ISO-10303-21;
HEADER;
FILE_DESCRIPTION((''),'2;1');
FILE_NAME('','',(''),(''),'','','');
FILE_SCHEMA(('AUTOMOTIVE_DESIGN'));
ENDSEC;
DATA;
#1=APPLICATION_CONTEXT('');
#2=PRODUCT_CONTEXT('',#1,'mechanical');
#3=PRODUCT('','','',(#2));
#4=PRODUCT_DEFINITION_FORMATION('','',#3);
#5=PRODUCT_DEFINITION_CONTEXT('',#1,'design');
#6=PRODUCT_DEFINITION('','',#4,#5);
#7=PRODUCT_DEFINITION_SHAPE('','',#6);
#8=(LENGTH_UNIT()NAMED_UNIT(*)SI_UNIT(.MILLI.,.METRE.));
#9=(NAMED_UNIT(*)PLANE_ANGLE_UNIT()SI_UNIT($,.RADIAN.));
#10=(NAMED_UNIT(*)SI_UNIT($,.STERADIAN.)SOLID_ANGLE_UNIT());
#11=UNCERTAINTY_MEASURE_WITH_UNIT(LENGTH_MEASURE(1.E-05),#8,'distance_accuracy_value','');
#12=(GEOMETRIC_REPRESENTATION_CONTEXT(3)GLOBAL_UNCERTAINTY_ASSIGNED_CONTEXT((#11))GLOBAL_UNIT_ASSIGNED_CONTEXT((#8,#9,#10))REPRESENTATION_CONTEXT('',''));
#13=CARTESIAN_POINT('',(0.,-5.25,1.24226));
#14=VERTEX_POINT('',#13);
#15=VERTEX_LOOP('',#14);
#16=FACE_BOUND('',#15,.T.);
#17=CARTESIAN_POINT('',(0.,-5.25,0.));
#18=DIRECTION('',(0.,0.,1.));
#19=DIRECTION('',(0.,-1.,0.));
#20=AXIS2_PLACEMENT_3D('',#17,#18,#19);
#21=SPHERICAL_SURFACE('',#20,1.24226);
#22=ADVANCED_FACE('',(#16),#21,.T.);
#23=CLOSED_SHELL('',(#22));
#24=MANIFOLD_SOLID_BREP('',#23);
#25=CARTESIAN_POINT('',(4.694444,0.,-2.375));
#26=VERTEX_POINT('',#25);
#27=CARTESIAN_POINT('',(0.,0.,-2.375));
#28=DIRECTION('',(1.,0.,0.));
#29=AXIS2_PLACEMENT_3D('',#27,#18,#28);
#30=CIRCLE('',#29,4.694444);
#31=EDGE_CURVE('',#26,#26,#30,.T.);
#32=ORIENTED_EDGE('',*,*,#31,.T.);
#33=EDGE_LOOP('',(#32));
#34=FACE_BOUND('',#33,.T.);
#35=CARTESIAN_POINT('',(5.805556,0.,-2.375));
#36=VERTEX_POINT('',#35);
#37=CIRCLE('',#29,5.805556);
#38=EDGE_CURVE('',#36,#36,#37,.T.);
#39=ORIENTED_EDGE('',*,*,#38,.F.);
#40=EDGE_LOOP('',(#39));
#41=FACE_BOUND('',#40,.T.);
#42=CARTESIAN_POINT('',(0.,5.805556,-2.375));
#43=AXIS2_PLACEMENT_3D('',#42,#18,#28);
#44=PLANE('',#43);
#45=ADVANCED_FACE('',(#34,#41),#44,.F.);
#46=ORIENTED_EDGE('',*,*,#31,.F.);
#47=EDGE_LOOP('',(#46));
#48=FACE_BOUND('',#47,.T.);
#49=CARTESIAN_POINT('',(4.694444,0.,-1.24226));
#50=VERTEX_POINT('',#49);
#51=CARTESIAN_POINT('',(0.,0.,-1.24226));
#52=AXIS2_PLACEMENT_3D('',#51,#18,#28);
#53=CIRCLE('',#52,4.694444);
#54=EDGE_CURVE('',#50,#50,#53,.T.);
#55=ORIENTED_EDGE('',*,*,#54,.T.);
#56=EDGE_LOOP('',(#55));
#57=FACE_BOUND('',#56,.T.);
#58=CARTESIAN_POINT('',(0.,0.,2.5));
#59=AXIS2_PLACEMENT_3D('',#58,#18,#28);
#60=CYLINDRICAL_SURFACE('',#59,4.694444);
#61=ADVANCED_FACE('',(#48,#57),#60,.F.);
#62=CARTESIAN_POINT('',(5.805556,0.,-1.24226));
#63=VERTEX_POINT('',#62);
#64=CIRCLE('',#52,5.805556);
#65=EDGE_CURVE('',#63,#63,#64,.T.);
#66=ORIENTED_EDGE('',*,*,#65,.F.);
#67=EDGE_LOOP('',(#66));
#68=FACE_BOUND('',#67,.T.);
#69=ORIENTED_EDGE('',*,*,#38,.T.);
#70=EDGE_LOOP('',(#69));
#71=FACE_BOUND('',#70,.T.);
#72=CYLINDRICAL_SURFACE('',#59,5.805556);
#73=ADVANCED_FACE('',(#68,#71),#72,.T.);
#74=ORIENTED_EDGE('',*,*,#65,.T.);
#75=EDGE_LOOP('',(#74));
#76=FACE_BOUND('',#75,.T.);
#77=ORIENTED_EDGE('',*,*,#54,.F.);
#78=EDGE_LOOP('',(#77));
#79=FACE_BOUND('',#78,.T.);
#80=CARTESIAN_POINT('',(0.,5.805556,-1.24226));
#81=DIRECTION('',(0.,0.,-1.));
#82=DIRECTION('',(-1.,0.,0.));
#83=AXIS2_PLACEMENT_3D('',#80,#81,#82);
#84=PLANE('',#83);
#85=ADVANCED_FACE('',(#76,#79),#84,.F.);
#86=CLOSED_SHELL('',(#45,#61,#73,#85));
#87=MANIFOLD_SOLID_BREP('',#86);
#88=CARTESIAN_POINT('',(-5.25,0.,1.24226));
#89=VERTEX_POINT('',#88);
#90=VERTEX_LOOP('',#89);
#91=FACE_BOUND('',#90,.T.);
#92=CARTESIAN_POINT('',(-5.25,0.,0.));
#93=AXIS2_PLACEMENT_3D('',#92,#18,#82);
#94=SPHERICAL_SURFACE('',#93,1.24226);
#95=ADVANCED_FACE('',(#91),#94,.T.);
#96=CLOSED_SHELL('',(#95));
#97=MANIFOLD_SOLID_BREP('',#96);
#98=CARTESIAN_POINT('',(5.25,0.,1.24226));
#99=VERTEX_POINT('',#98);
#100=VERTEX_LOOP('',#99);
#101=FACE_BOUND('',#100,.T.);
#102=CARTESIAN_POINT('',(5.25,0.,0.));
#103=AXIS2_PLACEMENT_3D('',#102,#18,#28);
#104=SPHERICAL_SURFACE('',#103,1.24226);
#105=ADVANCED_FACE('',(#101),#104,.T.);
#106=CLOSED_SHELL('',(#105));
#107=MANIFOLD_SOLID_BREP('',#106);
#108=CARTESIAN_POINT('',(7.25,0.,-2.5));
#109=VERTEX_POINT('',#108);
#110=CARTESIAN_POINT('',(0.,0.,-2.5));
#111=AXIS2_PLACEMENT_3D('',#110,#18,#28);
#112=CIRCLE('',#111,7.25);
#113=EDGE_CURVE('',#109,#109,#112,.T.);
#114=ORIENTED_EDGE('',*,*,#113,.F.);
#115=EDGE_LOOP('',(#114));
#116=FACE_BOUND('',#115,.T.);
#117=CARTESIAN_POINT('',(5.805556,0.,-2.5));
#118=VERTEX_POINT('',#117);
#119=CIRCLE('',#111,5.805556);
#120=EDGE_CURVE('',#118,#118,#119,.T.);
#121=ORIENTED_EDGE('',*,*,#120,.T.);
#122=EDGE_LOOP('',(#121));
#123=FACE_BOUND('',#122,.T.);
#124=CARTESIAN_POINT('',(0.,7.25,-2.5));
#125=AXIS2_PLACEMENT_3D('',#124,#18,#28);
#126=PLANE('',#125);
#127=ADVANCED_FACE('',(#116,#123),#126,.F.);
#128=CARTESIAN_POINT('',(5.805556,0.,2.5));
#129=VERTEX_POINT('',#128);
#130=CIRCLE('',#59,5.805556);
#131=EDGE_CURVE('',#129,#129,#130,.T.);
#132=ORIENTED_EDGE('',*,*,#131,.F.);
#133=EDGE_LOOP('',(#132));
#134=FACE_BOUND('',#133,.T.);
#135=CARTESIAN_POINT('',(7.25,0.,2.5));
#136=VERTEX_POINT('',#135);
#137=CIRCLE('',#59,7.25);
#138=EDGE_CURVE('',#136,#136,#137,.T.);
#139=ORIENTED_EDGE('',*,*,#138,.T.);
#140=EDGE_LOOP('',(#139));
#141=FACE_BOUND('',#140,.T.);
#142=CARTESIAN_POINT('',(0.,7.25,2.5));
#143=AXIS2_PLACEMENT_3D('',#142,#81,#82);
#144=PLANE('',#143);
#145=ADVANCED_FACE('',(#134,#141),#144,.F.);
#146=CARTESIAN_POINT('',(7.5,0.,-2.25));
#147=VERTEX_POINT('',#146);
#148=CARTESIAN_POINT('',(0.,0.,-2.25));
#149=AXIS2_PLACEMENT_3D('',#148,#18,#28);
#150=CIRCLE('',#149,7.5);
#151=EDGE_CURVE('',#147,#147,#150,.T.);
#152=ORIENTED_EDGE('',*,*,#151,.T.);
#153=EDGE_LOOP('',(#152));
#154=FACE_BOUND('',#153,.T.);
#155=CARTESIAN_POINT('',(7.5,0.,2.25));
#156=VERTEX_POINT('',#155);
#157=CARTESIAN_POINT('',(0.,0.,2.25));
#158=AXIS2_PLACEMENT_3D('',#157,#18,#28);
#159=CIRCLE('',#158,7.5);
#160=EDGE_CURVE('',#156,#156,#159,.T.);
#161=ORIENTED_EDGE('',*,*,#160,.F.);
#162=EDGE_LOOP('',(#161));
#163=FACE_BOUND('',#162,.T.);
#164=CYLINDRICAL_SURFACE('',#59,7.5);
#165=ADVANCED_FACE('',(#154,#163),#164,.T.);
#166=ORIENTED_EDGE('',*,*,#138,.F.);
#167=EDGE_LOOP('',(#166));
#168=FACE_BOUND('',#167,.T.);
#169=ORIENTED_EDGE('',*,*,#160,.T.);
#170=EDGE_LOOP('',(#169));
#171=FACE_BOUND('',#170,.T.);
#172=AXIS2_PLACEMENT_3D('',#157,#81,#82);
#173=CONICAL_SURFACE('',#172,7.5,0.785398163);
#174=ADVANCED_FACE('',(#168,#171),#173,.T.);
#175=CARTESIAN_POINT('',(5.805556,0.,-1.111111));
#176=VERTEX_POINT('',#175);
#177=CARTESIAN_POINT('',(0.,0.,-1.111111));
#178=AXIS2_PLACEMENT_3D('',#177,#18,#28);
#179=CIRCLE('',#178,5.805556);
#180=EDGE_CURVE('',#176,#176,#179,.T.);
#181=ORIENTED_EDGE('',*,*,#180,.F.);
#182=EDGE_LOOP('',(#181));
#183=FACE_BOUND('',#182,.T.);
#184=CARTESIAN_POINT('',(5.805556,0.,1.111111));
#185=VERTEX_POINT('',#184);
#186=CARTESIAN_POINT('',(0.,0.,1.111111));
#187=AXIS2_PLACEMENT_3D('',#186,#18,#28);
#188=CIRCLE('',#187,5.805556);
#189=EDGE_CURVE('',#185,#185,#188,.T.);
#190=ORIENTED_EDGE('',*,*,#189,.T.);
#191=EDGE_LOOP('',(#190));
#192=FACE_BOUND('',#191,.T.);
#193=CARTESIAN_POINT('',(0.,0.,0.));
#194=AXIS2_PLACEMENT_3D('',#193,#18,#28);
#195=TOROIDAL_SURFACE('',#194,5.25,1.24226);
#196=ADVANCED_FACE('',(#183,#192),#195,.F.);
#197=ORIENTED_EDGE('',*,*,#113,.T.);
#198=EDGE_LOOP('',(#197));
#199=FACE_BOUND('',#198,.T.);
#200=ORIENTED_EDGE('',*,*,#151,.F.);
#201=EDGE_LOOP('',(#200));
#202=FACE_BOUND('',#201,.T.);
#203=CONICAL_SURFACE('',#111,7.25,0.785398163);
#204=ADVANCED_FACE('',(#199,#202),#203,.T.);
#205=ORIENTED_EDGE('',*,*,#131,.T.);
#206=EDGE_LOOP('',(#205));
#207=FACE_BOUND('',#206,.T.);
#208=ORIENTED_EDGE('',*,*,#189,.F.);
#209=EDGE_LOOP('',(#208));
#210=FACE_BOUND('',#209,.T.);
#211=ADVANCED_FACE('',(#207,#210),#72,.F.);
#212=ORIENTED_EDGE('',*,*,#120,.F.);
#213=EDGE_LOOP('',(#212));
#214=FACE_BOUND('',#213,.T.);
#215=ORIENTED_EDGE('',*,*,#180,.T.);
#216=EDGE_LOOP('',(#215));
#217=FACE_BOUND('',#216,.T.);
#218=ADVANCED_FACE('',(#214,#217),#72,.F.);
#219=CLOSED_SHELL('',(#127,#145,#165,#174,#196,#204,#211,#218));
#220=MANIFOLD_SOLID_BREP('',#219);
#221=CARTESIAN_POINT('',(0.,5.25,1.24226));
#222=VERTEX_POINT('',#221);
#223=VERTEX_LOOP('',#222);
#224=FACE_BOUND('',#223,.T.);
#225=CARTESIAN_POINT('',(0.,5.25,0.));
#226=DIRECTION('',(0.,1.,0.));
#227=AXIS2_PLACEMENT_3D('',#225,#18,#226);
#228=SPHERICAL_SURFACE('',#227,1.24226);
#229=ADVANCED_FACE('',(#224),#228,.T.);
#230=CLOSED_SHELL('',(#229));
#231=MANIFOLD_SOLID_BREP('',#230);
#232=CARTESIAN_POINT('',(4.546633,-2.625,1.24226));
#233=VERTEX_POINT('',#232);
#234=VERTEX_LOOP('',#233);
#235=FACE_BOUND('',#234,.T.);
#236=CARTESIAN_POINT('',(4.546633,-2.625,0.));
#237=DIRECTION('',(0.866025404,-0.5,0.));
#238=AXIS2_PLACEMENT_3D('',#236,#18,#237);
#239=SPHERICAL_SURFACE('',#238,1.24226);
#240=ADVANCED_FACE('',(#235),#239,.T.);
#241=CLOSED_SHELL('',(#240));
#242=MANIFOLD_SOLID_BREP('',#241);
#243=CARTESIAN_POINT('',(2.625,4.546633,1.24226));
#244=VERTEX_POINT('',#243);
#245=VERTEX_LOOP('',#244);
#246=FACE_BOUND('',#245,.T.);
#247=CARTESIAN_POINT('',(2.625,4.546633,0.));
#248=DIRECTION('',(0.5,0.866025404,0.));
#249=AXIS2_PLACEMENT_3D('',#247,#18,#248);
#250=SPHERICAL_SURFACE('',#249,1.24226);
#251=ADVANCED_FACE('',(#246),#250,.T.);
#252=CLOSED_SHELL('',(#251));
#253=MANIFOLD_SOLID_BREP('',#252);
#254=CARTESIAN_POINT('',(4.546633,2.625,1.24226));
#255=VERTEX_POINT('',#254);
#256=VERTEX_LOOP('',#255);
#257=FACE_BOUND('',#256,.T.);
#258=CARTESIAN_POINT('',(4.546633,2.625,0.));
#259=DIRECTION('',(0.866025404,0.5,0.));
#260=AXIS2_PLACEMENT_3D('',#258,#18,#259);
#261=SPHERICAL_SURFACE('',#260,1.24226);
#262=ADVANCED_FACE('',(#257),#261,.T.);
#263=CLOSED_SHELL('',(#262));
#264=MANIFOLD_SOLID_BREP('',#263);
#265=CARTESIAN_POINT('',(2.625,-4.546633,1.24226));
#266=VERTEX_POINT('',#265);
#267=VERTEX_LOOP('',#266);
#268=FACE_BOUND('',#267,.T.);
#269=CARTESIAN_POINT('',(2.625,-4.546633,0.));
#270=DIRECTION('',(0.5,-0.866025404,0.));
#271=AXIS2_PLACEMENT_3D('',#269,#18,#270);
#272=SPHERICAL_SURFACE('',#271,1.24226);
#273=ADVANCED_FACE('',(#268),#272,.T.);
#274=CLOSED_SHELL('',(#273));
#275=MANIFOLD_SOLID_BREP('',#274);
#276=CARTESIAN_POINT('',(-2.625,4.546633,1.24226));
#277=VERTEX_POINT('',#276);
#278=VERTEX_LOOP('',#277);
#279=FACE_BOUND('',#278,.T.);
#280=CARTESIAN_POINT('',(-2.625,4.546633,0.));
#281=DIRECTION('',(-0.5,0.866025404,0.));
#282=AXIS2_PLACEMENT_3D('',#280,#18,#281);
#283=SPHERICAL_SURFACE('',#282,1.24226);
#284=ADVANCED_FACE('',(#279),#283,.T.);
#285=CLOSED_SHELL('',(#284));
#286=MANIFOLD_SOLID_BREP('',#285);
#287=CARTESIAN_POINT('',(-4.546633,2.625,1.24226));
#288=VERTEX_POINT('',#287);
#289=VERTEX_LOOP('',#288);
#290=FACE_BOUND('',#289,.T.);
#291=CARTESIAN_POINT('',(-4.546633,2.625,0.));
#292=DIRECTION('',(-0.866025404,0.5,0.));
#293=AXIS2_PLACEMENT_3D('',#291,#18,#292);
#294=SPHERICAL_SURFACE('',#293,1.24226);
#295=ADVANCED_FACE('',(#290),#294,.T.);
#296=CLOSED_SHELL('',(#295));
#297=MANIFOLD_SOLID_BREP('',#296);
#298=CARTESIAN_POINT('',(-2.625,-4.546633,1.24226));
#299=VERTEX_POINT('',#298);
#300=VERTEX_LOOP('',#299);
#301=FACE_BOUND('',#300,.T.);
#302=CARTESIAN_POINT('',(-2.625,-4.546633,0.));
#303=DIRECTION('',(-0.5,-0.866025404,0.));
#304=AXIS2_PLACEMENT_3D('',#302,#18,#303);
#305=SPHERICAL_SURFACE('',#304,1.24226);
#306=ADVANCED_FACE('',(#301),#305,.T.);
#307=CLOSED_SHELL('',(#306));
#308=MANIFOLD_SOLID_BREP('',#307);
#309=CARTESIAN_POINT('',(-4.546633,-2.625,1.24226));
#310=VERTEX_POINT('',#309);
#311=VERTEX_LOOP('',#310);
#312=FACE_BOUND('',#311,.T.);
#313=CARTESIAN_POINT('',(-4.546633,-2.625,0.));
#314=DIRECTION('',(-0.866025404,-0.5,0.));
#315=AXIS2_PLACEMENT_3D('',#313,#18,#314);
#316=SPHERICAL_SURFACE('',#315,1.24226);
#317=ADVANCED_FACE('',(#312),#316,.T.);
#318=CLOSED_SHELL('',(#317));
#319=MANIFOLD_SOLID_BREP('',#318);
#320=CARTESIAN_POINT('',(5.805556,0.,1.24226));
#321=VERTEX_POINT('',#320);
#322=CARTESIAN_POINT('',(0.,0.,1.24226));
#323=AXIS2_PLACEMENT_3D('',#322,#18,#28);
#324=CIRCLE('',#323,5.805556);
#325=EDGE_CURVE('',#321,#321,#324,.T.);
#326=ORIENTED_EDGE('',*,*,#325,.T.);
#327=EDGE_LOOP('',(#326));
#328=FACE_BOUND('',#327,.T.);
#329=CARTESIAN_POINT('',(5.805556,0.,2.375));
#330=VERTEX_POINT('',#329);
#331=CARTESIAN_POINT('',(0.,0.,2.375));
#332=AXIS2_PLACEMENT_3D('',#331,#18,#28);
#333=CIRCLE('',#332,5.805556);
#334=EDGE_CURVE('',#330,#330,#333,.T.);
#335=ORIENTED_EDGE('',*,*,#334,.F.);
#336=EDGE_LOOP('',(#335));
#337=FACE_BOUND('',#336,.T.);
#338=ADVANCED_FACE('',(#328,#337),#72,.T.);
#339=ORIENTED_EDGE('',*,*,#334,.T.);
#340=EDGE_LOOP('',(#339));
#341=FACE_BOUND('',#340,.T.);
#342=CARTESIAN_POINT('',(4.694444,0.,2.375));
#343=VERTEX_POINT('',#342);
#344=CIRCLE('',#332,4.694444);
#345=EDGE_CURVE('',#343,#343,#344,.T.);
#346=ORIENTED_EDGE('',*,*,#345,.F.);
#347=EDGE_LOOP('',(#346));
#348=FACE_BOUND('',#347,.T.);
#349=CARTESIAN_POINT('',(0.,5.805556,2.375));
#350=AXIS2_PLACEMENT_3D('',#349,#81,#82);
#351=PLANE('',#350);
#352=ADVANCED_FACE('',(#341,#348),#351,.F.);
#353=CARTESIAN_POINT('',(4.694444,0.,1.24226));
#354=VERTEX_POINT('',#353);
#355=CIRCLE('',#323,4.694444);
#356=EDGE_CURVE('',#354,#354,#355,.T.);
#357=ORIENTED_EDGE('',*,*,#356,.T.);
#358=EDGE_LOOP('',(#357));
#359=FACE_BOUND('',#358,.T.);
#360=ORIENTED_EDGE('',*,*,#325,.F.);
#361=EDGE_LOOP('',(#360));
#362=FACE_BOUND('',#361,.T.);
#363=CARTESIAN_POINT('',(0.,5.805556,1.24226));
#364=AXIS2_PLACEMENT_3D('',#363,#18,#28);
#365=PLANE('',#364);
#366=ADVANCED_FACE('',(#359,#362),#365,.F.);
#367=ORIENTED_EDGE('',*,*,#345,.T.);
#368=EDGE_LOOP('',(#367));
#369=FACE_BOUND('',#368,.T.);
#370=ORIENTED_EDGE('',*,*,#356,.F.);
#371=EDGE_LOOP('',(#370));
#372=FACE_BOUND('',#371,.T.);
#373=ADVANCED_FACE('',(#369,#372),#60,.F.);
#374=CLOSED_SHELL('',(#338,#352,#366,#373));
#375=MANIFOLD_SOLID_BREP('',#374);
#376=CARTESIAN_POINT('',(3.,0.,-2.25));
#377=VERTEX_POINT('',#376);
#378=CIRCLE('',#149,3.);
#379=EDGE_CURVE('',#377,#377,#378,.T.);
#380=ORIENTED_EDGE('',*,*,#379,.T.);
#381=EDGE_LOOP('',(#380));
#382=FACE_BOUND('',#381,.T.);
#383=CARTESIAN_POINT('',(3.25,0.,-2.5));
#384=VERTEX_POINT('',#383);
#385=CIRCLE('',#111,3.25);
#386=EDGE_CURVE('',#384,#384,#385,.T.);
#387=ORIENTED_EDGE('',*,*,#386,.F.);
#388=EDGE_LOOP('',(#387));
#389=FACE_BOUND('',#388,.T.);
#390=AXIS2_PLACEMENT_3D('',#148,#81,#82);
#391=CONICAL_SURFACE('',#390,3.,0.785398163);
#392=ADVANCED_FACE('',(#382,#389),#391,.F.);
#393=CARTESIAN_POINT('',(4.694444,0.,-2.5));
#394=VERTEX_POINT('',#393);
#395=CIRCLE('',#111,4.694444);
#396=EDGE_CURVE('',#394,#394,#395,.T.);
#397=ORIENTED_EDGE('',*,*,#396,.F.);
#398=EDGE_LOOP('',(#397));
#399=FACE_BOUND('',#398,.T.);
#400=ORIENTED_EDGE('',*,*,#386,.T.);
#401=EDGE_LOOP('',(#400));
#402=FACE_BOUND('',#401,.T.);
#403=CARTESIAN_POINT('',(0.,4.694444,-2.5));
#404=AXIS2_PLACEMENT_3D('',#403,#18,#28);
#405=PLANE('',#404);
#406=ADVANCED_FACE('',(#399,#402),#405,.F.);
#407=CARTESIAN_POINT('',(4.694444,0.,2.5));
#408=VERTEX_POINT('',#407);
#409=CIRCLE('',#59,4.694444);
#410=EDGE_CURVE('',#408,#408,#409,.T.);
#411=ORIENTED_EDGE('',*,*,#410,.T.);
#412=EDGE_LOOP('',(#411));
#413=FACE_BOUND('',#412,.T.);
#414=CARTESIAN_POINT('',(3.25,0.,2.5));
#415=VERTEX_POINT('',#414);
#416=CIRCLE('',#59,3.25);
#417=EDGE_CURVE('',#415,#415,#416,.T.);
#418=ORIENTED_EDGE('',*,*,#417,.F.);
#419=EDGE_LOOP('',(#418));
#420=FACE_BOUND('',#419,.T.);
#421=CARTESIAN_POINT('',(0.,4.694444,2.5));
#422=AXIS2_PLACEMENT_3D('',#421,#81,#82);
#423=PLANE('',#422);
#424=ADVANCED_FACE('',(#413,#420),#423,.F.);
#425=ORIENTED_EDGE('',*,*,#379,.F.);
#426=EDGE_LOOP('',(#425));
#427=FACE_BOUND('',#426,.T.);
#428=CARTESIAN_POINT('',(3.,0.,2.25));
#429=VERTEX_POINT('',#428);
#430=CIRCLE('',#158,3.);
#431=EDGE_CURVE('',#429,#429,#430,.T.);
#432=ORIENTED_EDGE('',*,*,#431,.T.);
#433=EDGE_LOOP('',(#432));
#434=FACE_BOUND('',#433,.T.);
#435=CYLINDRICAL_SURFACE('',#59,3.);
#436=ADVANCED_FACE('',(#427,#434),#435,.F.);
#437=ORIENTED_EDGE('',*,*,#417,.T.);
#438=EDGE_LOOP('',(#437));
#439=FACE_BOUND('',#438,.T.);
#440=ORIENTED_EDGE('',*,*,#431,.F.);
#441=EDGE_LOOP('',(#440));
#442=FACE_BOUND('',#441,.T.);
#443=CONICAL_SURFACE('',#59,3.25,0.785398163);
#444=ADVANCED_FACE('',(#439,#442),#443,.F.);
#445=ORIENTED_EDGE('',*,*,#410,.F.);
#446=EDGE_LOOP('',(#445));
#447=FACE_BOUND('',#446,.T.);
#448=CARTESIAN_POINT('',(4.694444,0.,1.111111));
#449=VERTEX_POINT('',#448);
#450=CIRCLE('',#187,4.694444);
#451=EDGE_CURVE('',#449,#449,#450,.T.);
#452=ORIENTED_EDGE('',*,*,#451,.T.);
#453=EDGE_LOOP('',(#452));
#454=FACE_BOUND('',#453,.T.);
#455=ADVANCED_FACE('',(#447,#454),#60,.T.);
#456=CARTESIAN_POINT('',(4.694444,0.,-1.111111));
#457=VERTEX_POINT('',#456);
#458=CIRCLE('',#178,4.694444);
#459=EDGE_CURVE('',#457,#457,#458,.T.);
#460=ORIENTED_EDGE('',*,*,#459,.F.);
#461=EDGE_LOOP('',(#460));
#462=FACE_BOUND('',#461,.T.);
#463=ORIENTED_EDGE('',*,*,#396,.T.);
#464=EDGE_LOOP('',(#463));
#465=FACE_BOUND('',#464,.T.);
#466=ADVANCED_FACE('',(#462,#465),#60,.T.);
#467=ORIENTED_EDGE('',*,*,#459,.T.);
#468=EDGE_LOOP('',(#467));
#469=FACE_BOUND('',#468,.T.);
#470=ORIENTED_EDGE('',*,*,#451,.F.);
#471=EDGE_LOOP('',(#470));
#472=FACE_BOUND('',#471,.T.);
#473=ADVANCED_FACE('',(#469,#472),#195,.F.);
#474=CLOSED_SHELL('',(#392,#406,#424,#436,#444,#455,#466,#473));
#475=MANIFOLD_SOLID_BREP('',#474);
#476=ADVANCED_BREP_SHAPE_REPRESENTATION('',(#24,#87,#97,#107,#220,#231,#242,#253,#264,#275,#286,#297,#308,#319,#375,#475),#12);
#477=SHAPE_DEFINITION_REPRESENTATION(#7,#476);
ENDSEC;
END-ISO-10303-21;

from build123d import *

# Parameters (mm, degrees)
CIRPATTERN1_COUNT = 12
SKETCH5_W         = 1.132740013
SKETCH5_H         = 1.111111112


with BuildPart() as part:
    # Sketch1 → Revolve1 (revolve)
    with BuildSketch(Plane(origin=(0, 0, 0), x_dir=(0, 0, -1), z_dir=(1, 0, 0))):
        with BuildLine():
            Line((2.25, 7.5), (-2.25, 7.5))
            Line((-2.25, 7.5), (-2.5, 7.25))
            Line((-2.5, 7.25), (-2.5, 5.805555556))
            Line((-2.5, 5.805555556), (-1.111111111, 5.805555556))
            ThreePointArc((-1.111111111, 5.805555556), (0, 6.492259987), (1.111111111, 5.805555556))
            Line((1.111111111, 5.805555556), (2.5, 5.805555556))
            Line((2.5, 5.805555556), (2.5, 7.25))
            Line((2.5, 7.25), (2.25, 7.5))
        make_face()
    revolve(axis=Axis((0, 0, 2.5), (0, 0, -1)))


with BuildPart() as body_2:
    # Sketch2 → Revolve2 (revolve)
    with BuildSketch(Plane(origin=(0, 0, 0), x_dir=(0, 0, -1), z_dir=(1, 0, 0))):
        with BuildLine():
            Line((-2.5, 4.694444444), (-1.111111111, 4.694444444))
            ThreePointArc((-1.111111111, 4.694444444), (0, 4.007740013), (1.111111111, 4.694444444))
            Line((1.111111111, 4.694444444), (2.5, 4.694444444))
            Line((2.5, 4.694444444), (2.5, 3.25))
            Line((2.5, 3.25), (2.25, 3))
            Line((2.25, 3), (-2.25, 3))
            Line((-2.25, 3), (-2.5, 3.25))
            Line((-2.5, 3.25), (-2.5, 4.694444444))
        make_face()
    revolve(axis=Axis((0, 0, 2.5), (0, 0, -1)))


with BuildPart() as body_3:
    # Sketch3 → Revolve3 (revolve)
    with BuildSketch(Plane(origin=(0, 0, 0), x_dir=(0, 0, -1), z_dir=(1, 0, 0))):
        with BuildLine():
            Line((-1.242259987, 5.25), (1.242259987, 5.25))
            ThreePointArc((1.242259987, 5.25), (0, 6.492259987), (-1.242259987, 5.25))
        make_face()
    revolve(axis=Axis((0, 5.25, 1.242259987), (0, 0, -1)))


with BuildPart() as cirpattern1_1:
    # CirPattern1: pattern copy
    add(body_3.part.rotate(Axis((0, 0, -2.5), (0, 0, 1)), 1 * 360 / CIRPATTERN1_COUNT))


with BuildPart() as cirpattern1_2:
    # CirPattern1: pattern copy
    add(body_3.part.rotate(Axis((0, 0, -2.5), (0, 0, 1)), 2 * 360 / CIRPATTERN1_COUNT))


with BuildPart() as cirpattern1_3:
    # CirPattern1: pattern copy
    add(body_3.part.rotate(Axis((0, 0, -2.5), (0, 0, 1)), 3 * 360 / CIRPATTERN1_COUNT))


with BuildPart() as cirpattern1_4:
    # CirPattern1: pattern copy
    add(body_3.part.rotate(Axis((0, 0, -2.5), (0, 0, 1)), 4 * 360 / CIRPATTERN1_COUNT))


with BuildPart() as cirpattern1_5:
    # CirPattern1: pattern copy
    add(body_3.part.rotate(Axis((0, 0, -2.5), (0, 0, 1)), 5 * 360 / CIRPATTERN1_COUNT))


with BuildPart() as cirpattern1_6:
    # CirPattern1: pattern copy
    add(body_3.part.rotate(Axis((0, 0, -2.5), (0, 0, 1)), 6 * 360 / CIRPATTERN1_COUNT))


with BuildPart() as cirpattern1_7:
    # CirPattern1: pattern copy
    add(body_3.part.rotate(Axis((0, 0, -2.5), (0, 0, 1)), 7 * 360 / CIRPATTERN1_COUNT))


with BuildPart() as cirpattern1_8:
    # CirPattern1: pattern copy
    add(body_3.part.rotate(Axis((0, 0, -2.5), (0, 0, 1)), 8 * 360 / CIRPATTERN1_COUNT))


with BuildPart() as cirpattern1_9:
    # CirPattern1: pattern copy
    add(body_3.part.rotate(Axis((0, 0, -2.5), (0, 0, 1)), 9 * 360 / CIRPATTERN1_COUNT))


with BuildPart() as cirpattern1_10:
    # CirPattern1: pattern copy
    add(body_3.part.rotate(Axis((0, 0, -2.5), (0, 0, 1)), 10 * 360 / CIRPATTERN1_COUNT))


with BuildPart() as cirpattern1_11:
    # CirPattern1: pattern copy
    add(body_3.part.rotate(Axis((0, 0, -2.5), (0, 0, 1)), 11 * 360 / CIRPATTERN1_COUNT))


with BuildPart() as body_15:
    # Sketch5 → Revolve5 (revolve)
    with BuildSketch(Plane(origin=(0, 0, 0), x_dir=(0, 0, -1), z_dir=(1, 0, 0))):
        with Locations((-1.808629994, 5.25)):
            Rectangle(SKETCH5_W, SKETCH5_H)
        with Locations((1.808629994, 5.25)):
            Rectangle(SKETCH5_W, SKETCH5_H)
    revolve(axis=Axis((0, 0, 2.5), (0, 0, -1)))


solid = Compound([part.part, body_2.part, body_3.part, cirpattern1_1.part, cirpattern1_2.part, cirpattern1_3.part, cirpattern1_4.part, cirpattern1_5.part, cirpattern1_6.part, cirpattern1_7.part, cirpattern1_8.part, cirpattern1_9.part, cirpattern1_10.part, cirpattern1_11.part, body_15.part])
